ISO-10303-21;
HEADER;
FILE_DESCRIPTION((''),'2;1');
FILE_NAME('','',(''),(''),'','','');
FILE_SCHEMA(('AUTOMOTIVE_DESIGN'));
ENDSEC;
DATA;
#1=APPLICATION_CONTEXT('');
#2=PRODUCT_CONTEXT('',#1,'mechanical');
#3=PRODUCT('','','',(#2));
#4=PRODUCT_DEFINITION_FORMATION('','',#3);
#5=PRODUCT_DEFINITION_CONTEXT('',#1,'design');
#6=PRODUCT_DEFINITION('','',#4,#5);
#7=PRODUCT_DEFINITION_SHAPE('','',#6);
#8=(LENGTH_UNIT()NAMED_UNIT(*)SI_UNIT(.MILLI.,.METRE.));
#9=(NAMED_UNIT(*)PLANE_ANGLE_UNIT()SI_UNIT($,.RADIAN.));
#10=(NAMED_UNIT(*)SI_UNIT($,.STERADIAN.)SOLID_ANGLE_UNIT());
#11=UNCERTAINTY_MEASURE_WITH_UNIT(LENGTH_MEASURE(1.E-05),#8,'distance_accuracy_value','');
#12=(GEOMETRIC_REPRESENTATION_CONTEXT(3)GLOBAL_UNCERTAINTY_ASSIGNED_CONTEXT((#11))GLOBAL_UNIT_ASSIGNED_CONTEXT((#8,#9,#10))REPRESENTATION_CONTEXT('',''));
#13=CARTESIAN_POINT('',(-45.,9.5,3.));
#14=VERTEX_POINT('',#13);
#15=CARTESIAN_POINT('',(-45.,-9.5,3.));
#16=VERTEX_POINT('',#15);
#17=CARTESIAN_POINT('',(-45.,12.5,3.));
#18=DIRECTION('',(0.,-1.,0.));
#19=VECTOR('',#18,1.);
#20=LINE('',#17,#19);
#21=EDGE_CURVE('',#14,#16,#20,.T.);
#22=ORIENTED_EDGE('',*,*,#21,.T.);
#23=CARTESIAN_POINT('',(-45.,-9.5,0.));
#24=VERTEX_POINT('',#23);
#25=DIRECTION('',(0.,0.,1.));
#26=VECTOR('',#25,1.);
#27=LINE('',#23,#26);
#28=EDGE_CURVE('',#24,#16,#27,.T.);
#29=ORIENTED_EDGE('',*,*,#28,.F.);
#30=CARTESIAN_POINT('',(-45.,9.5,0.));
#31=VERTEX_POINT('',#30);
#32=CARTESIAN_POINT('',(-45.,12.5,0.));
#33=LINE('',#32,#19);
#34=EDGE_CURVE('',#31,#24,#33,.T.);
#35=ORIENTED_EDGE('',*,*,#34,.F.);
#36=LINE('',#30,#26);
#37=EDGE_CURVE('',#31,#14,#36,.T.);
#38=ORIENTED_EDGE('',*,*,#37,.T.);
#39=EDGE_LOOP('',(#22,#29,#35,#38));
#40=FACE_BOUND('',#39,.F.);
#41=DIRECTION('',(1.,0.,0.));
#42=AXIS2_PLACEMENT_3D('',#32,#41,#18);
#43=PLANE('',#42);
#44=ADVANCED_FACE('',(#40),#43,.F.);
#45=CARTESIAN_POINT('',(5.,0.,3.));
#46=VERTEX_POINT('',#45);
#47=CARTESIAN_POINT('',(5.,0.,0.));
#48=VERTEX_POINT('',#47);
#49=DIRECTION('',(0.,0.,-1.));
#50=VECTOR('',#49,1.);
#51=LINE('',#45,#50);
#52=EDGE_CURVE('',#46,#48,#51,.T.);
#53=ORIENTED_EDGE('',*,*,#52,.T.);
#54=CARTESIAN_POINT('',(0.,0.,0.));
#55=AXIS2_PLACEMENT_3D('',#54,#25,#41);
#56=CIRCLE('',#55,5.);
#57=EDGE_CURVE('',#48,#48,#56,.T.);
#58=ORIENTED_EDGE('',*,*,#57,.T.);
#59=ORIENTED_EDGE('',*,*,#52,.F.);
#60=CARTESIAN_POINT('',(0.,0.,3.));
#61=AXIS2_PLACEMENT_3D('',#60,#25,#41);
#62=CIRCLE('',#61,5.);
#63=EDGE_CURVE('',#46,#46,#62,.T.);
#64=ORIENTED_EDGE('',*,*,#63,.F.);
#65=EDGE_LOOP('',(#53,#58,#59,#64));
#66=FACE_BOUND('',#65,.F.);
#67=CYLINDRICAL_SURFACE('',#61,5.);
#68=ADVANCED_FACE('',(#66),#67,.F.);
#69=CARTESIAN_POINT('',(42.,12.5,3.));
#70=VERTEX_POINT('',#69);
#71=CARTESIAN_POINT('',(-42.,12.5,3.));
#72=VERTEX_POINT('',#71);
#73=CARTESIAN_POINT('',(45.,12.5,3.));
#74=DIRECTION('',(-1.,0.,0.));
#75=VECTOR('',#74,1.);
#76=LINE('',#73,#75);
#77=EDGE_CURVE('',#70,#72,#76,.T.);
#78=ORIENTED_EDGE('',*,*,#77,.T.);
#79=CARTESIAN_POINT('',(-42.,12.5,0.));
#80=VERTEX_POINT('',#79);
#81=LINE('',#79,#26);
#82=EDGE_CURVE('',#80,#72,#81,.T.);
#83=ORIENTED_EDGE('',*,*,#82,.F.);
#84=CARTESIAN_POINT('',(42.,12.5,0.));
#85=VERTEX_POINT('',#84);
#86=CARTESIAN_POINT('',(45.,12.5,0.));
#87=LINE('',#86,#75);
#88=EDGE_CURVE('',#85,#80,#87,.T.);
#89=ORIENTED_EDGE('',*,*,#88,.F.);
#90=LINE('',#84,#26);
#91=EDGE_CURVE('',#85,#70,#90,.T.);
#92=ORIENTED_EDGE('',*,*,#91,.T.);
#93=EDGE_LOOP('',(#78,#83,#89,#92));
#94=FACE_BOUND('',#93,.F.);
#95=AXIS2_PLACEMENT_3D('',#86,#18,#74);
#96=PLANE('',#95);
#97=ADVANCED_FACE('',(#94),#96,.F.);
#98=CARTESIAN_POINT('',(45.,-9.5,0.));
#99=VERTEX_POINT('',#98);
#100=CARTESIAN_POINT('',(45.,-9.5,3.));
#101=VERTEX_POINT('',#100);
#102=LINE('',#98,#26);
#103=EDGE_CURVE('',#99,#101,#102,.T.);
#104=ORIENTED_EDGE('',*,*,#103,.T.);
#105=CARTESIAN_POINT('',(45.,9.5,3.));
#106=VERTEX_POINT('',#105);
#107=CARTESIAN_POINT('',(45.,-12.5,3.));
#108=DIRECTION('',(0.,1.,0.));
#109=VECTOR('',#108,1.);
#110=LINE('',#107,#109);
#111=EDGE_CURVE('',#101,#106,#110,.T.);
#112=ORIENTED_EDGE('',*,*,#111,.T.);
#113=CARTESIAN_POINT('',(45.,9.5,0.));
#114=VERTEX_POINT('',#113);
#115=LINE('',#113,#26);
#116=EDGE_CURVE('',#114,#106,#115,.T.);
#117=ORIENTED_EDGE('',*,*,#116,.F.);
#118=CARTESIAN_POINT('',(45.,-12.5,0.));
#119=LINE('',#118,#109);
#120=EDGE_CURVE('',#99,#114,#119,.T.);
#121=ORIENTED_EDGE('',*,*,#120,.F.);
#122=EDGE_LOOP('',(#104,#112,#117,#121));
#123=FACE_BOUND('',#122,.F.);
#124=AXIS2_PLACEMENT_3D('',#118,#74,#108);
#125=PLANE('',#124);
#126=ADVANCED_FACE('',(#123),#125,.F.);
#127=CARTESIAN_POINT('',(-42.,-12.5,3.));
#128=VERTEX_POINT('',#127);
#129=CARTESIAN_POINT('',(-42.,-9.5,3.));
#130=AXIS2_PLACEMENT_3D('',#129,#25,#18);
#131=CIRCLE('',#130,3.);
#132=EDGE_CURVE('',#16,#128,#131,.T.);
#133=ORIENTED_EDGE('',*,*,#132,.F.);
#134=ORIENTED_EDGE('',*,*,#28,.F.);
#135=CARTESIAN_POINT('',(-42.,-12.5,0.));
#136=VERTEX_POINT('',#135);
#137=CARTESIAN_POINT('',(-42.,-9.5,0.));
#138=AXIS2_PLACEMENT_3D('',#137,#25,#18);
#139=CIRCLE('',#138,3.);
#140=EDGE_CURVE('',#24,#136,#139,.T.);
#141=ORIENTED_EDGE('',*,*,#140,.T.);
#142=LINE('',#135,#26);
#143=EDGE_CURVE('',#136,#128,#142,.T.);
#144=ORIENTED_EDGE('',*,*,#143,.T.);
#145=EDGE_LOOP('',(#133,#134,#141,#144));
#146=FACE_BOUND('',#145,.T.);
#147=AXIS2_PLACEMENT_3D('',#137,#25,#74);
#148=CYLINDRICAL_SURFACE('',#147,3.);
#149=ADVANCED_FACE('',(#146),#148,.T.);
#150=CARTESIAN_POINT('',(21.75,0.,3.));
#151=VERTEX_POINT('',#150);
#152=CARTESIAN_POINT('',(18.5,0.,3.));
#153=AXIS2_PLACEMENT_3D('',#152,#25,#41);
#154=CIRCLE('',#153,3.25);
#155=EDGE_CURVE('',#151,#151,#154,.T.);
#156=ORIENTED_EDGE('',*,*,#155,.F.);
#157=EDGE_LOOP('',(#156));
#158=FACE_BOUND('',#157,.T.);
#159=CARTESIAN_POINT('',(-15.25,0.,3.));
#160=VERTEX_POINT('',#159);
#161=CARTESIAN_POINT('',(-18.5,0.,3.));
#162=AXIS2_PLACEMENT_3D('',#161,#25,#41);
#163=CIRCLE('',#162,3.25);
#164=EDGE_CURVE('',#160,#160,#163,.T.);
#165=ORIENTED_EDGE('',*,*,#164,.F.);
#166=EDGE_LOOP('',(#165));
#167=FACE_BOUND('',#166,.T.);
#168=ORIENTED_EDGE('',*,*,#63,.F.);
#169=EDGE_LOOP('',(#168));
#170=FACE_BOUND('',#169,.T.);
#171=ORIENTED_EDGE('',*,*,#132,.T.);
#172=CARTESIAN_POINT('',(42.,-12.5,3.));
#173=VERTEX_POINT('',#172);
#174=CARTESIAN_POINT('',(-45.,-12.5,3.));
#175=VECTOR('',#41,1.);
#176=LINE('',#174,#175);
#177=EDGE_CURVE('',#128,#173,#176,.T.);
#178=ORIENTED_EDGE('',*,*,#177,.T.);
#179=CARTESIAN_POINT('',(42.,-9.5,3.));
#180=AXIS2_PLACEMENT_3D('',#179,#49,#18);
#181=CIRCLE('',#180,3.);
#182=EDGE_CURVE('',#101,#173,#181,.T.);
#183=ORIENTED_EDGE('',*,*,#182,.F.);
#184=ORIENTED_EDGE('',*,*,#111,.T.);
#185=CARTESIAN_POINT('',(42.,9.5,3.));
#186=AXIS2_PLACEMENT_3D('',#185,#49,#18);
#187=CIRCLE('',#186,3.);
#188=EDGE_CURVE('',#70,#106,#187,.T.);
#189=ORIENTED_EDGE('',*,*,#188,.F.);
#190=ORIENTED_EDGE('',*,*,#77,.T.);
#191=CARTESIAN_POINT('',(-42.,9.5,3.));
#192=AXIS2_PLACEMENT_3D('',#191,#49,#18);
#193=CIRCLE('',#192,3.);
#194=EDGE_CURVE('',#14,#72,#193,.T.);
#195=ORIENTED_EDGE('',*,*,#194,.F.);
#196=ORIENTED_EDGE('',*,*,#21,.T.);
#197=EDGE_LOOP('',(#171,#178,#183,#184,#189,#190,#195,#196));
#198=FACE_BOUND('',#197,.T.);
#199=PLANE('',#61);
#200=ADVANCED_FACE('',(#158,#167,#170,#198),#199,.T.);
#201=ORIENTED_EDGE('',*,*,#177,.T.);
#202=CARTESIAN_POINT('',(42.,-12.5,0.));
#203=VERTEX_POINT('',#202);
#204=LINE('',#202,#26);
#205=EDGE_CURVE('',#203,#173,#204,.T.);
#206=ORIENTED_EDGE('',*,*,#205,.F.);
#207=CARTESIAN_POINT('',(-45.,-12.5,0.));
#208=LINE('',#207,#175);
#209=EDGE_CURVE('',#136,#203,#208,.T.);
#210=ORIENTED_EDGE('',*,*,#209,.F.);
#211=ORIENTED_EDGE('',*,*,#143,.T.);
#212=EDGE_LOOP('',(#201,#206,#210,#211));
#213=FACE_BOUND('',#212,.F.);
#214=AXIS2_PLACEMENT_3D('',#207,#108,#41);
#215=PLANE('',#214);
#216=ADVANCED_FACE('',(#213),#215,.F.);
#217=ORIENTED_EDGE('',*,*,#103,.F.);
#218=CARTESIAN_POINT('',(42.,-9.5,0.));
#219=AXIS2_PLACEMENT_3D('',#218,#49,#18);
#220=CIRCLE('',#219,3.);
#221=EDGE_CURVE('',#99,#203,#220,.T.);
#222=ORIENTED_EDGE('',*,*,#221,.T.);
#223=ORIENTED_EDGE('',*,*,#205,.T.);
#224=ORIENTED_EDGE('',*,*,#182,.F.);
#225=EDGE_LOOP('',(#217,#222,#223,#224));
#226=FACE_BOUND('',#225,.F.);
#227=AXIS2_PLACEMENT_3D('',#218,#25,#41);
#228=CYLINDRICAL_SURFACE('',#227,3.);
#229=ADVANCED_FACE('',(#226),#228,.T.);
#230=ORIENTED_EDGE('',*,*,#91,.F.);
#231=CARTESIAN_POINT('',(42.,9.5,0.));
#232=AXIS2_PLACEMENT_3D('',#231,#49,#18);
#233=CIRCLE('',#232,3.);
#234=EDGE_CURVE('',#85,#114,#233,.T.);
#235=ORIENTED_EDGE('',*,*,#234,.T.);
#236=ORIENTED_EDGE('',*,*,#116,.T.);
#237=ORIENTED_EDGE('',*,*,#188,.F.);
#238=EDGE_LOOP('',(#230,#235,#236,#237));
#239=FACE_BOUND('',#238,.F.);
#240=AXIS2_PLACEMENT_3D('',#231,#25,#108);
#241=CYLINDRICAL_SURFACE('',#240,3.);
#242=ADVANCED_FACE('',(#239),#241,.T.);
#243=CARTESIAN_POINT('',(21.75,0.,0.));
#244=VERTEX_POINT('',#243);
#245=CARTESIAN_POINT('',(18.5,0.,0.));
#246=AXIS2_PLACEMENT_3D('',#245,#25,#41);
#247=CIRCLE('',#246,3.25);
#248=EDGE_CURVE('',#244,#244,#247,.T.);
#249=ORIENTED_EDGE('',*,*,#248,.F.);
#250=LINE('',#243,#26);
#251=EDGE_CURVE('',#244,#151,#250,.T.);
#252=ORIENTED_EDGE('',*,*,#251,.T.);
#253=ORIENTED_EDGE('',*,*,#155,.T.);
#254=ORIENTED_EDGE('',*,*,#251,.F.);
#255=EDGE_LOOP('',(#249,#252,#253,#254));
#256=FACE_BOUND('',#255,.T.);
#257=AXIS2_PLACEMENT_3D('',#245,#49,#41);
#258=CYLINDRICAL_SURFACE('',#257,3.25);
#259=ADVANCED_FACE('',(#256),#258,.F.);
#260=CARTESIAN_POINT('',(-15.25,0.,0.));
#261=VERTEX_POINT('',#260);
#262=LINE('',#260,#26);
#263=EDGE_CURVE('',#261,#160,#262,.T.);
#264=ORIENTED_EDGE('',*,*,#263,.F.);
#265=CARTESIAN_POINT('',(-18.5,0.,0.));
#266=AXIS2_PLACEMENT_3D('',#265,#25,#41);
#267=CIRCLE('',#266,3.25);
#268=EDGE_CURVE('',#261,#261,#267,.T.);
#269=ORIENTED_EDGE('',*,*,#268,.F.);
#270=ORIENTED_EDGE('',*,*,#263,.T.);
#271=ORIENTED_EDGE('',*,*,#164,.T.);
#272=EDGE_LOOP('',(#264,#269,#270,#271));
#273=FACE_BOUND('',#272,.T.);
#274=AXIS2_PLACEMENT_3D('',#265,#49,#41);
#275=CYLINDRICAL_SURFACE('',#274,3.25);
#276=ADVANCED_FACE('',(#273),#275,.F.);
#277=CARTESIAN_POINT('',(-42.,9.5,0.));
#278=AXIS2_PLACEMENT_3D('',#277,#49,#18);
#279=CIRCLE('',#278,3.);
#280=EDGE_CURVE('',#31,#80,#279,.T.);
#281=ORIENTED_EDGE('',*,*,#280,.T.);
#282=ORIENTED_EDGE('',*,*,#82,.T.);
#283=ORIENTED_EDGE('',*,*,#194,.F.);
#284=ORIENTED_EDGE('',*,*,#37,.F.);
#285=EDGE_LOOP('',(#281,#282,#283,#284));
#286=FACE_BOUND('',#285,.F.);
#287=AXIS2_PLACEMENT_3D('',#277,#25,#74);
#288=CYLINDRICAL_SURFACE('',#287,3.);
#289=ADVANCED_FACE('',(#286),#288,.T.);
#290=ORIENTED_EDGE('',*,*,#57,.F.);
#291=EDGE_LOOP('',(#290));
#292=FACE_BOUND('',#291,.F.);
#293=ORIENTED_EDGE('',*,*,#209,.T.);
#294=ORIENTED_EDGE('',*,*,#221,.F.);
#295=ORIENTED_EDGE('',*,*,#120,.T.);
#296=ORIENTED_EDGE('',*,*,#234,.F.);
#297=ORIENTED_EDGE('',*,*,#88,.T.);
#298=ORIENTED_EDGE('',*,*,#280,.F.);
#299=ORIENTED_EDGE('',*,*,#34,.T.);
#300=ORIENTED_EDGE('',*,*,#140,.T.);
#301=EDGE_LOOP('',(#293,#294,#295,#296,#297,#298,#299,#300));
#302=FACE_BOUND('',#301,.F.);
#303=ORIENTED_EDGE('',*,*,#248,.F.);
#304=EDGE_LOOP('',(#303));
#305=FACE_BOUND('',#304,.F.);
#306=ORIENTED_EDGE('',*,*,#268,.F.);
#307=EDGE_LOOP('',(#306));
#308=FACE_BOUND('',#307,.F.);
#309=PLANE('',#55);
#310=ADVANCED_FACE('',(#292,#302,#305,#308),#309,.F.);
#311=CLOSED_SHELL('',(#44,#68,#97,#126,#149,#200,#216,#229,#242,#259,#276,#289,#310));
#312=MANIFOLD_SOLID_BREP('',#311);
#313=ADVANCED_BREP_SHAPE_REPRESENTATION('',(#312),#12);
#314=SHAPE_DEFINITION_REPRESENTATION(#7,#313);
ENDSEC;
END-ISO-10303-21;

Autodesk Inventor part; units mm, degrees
ref_plane "YZ Plane" through (0, 0, 0) normal (1, 0, 0) x (0, 1, 0)
ref_plane "XZ Plane" through (0, 0, 0) normal (0, 1, 0) x (-1, 0, 0)
ref_plane "XY Plane" through (0, 0, 0) normal (0, 0, 1) x (1, 0, 0)
sketch "Sketch1" plane through (0, 0, 0) normal (0, 0, 1) x (1, 0, 0)
  line L0 (-45, -12.5) -> (45, -12.5)
  line L1 (45, -12.5) -> (45, 12.5)
  line L2 (45, 12.5) -> (-45, 12.5)
  line L3 (-45, 12.5) -> (-45, -12.5)
  line L4 (-45, -12.5) -> (45, 12.5) construction
  line L5 (45, -12.5) -> (-45, 12.5) construction
  circle A0 centre (-18.5, 0) radius 3.25
  circle A1 centre (18.5, 0) radius 3.25
  point P0 (0, 0)
  dimension "d0" = 90
  dimension "d1" = 25
  dimension "d2" = 37
  dimension "d3" = 18.5
  dimension "d4" = 6.5
  dimension "d5" = 6.5
  dimension "d8" = 12.5
  dimension "d9" = 12.5
extrude "Extrusion1" add sketch "Sketch1" along normal blind 3
fillet "Fillet1" radius 3 4 edges at (45, 12.5, 1.5) (45, -12.5, 1.5) (-45, 12.5, 1.5) (-45, -12.5, 1.5)
sketch "Sketch2" plane through (0, 0, 3) normal (0, 0, 1) x (1, 0, 0)
  circle A0 centre (0, 0) radius 5
  dimension "d11" = 10
extrude "Extrusion2" cut sketch "Sketch2" against normal blind 10
properties part number "de giu truc Z"
